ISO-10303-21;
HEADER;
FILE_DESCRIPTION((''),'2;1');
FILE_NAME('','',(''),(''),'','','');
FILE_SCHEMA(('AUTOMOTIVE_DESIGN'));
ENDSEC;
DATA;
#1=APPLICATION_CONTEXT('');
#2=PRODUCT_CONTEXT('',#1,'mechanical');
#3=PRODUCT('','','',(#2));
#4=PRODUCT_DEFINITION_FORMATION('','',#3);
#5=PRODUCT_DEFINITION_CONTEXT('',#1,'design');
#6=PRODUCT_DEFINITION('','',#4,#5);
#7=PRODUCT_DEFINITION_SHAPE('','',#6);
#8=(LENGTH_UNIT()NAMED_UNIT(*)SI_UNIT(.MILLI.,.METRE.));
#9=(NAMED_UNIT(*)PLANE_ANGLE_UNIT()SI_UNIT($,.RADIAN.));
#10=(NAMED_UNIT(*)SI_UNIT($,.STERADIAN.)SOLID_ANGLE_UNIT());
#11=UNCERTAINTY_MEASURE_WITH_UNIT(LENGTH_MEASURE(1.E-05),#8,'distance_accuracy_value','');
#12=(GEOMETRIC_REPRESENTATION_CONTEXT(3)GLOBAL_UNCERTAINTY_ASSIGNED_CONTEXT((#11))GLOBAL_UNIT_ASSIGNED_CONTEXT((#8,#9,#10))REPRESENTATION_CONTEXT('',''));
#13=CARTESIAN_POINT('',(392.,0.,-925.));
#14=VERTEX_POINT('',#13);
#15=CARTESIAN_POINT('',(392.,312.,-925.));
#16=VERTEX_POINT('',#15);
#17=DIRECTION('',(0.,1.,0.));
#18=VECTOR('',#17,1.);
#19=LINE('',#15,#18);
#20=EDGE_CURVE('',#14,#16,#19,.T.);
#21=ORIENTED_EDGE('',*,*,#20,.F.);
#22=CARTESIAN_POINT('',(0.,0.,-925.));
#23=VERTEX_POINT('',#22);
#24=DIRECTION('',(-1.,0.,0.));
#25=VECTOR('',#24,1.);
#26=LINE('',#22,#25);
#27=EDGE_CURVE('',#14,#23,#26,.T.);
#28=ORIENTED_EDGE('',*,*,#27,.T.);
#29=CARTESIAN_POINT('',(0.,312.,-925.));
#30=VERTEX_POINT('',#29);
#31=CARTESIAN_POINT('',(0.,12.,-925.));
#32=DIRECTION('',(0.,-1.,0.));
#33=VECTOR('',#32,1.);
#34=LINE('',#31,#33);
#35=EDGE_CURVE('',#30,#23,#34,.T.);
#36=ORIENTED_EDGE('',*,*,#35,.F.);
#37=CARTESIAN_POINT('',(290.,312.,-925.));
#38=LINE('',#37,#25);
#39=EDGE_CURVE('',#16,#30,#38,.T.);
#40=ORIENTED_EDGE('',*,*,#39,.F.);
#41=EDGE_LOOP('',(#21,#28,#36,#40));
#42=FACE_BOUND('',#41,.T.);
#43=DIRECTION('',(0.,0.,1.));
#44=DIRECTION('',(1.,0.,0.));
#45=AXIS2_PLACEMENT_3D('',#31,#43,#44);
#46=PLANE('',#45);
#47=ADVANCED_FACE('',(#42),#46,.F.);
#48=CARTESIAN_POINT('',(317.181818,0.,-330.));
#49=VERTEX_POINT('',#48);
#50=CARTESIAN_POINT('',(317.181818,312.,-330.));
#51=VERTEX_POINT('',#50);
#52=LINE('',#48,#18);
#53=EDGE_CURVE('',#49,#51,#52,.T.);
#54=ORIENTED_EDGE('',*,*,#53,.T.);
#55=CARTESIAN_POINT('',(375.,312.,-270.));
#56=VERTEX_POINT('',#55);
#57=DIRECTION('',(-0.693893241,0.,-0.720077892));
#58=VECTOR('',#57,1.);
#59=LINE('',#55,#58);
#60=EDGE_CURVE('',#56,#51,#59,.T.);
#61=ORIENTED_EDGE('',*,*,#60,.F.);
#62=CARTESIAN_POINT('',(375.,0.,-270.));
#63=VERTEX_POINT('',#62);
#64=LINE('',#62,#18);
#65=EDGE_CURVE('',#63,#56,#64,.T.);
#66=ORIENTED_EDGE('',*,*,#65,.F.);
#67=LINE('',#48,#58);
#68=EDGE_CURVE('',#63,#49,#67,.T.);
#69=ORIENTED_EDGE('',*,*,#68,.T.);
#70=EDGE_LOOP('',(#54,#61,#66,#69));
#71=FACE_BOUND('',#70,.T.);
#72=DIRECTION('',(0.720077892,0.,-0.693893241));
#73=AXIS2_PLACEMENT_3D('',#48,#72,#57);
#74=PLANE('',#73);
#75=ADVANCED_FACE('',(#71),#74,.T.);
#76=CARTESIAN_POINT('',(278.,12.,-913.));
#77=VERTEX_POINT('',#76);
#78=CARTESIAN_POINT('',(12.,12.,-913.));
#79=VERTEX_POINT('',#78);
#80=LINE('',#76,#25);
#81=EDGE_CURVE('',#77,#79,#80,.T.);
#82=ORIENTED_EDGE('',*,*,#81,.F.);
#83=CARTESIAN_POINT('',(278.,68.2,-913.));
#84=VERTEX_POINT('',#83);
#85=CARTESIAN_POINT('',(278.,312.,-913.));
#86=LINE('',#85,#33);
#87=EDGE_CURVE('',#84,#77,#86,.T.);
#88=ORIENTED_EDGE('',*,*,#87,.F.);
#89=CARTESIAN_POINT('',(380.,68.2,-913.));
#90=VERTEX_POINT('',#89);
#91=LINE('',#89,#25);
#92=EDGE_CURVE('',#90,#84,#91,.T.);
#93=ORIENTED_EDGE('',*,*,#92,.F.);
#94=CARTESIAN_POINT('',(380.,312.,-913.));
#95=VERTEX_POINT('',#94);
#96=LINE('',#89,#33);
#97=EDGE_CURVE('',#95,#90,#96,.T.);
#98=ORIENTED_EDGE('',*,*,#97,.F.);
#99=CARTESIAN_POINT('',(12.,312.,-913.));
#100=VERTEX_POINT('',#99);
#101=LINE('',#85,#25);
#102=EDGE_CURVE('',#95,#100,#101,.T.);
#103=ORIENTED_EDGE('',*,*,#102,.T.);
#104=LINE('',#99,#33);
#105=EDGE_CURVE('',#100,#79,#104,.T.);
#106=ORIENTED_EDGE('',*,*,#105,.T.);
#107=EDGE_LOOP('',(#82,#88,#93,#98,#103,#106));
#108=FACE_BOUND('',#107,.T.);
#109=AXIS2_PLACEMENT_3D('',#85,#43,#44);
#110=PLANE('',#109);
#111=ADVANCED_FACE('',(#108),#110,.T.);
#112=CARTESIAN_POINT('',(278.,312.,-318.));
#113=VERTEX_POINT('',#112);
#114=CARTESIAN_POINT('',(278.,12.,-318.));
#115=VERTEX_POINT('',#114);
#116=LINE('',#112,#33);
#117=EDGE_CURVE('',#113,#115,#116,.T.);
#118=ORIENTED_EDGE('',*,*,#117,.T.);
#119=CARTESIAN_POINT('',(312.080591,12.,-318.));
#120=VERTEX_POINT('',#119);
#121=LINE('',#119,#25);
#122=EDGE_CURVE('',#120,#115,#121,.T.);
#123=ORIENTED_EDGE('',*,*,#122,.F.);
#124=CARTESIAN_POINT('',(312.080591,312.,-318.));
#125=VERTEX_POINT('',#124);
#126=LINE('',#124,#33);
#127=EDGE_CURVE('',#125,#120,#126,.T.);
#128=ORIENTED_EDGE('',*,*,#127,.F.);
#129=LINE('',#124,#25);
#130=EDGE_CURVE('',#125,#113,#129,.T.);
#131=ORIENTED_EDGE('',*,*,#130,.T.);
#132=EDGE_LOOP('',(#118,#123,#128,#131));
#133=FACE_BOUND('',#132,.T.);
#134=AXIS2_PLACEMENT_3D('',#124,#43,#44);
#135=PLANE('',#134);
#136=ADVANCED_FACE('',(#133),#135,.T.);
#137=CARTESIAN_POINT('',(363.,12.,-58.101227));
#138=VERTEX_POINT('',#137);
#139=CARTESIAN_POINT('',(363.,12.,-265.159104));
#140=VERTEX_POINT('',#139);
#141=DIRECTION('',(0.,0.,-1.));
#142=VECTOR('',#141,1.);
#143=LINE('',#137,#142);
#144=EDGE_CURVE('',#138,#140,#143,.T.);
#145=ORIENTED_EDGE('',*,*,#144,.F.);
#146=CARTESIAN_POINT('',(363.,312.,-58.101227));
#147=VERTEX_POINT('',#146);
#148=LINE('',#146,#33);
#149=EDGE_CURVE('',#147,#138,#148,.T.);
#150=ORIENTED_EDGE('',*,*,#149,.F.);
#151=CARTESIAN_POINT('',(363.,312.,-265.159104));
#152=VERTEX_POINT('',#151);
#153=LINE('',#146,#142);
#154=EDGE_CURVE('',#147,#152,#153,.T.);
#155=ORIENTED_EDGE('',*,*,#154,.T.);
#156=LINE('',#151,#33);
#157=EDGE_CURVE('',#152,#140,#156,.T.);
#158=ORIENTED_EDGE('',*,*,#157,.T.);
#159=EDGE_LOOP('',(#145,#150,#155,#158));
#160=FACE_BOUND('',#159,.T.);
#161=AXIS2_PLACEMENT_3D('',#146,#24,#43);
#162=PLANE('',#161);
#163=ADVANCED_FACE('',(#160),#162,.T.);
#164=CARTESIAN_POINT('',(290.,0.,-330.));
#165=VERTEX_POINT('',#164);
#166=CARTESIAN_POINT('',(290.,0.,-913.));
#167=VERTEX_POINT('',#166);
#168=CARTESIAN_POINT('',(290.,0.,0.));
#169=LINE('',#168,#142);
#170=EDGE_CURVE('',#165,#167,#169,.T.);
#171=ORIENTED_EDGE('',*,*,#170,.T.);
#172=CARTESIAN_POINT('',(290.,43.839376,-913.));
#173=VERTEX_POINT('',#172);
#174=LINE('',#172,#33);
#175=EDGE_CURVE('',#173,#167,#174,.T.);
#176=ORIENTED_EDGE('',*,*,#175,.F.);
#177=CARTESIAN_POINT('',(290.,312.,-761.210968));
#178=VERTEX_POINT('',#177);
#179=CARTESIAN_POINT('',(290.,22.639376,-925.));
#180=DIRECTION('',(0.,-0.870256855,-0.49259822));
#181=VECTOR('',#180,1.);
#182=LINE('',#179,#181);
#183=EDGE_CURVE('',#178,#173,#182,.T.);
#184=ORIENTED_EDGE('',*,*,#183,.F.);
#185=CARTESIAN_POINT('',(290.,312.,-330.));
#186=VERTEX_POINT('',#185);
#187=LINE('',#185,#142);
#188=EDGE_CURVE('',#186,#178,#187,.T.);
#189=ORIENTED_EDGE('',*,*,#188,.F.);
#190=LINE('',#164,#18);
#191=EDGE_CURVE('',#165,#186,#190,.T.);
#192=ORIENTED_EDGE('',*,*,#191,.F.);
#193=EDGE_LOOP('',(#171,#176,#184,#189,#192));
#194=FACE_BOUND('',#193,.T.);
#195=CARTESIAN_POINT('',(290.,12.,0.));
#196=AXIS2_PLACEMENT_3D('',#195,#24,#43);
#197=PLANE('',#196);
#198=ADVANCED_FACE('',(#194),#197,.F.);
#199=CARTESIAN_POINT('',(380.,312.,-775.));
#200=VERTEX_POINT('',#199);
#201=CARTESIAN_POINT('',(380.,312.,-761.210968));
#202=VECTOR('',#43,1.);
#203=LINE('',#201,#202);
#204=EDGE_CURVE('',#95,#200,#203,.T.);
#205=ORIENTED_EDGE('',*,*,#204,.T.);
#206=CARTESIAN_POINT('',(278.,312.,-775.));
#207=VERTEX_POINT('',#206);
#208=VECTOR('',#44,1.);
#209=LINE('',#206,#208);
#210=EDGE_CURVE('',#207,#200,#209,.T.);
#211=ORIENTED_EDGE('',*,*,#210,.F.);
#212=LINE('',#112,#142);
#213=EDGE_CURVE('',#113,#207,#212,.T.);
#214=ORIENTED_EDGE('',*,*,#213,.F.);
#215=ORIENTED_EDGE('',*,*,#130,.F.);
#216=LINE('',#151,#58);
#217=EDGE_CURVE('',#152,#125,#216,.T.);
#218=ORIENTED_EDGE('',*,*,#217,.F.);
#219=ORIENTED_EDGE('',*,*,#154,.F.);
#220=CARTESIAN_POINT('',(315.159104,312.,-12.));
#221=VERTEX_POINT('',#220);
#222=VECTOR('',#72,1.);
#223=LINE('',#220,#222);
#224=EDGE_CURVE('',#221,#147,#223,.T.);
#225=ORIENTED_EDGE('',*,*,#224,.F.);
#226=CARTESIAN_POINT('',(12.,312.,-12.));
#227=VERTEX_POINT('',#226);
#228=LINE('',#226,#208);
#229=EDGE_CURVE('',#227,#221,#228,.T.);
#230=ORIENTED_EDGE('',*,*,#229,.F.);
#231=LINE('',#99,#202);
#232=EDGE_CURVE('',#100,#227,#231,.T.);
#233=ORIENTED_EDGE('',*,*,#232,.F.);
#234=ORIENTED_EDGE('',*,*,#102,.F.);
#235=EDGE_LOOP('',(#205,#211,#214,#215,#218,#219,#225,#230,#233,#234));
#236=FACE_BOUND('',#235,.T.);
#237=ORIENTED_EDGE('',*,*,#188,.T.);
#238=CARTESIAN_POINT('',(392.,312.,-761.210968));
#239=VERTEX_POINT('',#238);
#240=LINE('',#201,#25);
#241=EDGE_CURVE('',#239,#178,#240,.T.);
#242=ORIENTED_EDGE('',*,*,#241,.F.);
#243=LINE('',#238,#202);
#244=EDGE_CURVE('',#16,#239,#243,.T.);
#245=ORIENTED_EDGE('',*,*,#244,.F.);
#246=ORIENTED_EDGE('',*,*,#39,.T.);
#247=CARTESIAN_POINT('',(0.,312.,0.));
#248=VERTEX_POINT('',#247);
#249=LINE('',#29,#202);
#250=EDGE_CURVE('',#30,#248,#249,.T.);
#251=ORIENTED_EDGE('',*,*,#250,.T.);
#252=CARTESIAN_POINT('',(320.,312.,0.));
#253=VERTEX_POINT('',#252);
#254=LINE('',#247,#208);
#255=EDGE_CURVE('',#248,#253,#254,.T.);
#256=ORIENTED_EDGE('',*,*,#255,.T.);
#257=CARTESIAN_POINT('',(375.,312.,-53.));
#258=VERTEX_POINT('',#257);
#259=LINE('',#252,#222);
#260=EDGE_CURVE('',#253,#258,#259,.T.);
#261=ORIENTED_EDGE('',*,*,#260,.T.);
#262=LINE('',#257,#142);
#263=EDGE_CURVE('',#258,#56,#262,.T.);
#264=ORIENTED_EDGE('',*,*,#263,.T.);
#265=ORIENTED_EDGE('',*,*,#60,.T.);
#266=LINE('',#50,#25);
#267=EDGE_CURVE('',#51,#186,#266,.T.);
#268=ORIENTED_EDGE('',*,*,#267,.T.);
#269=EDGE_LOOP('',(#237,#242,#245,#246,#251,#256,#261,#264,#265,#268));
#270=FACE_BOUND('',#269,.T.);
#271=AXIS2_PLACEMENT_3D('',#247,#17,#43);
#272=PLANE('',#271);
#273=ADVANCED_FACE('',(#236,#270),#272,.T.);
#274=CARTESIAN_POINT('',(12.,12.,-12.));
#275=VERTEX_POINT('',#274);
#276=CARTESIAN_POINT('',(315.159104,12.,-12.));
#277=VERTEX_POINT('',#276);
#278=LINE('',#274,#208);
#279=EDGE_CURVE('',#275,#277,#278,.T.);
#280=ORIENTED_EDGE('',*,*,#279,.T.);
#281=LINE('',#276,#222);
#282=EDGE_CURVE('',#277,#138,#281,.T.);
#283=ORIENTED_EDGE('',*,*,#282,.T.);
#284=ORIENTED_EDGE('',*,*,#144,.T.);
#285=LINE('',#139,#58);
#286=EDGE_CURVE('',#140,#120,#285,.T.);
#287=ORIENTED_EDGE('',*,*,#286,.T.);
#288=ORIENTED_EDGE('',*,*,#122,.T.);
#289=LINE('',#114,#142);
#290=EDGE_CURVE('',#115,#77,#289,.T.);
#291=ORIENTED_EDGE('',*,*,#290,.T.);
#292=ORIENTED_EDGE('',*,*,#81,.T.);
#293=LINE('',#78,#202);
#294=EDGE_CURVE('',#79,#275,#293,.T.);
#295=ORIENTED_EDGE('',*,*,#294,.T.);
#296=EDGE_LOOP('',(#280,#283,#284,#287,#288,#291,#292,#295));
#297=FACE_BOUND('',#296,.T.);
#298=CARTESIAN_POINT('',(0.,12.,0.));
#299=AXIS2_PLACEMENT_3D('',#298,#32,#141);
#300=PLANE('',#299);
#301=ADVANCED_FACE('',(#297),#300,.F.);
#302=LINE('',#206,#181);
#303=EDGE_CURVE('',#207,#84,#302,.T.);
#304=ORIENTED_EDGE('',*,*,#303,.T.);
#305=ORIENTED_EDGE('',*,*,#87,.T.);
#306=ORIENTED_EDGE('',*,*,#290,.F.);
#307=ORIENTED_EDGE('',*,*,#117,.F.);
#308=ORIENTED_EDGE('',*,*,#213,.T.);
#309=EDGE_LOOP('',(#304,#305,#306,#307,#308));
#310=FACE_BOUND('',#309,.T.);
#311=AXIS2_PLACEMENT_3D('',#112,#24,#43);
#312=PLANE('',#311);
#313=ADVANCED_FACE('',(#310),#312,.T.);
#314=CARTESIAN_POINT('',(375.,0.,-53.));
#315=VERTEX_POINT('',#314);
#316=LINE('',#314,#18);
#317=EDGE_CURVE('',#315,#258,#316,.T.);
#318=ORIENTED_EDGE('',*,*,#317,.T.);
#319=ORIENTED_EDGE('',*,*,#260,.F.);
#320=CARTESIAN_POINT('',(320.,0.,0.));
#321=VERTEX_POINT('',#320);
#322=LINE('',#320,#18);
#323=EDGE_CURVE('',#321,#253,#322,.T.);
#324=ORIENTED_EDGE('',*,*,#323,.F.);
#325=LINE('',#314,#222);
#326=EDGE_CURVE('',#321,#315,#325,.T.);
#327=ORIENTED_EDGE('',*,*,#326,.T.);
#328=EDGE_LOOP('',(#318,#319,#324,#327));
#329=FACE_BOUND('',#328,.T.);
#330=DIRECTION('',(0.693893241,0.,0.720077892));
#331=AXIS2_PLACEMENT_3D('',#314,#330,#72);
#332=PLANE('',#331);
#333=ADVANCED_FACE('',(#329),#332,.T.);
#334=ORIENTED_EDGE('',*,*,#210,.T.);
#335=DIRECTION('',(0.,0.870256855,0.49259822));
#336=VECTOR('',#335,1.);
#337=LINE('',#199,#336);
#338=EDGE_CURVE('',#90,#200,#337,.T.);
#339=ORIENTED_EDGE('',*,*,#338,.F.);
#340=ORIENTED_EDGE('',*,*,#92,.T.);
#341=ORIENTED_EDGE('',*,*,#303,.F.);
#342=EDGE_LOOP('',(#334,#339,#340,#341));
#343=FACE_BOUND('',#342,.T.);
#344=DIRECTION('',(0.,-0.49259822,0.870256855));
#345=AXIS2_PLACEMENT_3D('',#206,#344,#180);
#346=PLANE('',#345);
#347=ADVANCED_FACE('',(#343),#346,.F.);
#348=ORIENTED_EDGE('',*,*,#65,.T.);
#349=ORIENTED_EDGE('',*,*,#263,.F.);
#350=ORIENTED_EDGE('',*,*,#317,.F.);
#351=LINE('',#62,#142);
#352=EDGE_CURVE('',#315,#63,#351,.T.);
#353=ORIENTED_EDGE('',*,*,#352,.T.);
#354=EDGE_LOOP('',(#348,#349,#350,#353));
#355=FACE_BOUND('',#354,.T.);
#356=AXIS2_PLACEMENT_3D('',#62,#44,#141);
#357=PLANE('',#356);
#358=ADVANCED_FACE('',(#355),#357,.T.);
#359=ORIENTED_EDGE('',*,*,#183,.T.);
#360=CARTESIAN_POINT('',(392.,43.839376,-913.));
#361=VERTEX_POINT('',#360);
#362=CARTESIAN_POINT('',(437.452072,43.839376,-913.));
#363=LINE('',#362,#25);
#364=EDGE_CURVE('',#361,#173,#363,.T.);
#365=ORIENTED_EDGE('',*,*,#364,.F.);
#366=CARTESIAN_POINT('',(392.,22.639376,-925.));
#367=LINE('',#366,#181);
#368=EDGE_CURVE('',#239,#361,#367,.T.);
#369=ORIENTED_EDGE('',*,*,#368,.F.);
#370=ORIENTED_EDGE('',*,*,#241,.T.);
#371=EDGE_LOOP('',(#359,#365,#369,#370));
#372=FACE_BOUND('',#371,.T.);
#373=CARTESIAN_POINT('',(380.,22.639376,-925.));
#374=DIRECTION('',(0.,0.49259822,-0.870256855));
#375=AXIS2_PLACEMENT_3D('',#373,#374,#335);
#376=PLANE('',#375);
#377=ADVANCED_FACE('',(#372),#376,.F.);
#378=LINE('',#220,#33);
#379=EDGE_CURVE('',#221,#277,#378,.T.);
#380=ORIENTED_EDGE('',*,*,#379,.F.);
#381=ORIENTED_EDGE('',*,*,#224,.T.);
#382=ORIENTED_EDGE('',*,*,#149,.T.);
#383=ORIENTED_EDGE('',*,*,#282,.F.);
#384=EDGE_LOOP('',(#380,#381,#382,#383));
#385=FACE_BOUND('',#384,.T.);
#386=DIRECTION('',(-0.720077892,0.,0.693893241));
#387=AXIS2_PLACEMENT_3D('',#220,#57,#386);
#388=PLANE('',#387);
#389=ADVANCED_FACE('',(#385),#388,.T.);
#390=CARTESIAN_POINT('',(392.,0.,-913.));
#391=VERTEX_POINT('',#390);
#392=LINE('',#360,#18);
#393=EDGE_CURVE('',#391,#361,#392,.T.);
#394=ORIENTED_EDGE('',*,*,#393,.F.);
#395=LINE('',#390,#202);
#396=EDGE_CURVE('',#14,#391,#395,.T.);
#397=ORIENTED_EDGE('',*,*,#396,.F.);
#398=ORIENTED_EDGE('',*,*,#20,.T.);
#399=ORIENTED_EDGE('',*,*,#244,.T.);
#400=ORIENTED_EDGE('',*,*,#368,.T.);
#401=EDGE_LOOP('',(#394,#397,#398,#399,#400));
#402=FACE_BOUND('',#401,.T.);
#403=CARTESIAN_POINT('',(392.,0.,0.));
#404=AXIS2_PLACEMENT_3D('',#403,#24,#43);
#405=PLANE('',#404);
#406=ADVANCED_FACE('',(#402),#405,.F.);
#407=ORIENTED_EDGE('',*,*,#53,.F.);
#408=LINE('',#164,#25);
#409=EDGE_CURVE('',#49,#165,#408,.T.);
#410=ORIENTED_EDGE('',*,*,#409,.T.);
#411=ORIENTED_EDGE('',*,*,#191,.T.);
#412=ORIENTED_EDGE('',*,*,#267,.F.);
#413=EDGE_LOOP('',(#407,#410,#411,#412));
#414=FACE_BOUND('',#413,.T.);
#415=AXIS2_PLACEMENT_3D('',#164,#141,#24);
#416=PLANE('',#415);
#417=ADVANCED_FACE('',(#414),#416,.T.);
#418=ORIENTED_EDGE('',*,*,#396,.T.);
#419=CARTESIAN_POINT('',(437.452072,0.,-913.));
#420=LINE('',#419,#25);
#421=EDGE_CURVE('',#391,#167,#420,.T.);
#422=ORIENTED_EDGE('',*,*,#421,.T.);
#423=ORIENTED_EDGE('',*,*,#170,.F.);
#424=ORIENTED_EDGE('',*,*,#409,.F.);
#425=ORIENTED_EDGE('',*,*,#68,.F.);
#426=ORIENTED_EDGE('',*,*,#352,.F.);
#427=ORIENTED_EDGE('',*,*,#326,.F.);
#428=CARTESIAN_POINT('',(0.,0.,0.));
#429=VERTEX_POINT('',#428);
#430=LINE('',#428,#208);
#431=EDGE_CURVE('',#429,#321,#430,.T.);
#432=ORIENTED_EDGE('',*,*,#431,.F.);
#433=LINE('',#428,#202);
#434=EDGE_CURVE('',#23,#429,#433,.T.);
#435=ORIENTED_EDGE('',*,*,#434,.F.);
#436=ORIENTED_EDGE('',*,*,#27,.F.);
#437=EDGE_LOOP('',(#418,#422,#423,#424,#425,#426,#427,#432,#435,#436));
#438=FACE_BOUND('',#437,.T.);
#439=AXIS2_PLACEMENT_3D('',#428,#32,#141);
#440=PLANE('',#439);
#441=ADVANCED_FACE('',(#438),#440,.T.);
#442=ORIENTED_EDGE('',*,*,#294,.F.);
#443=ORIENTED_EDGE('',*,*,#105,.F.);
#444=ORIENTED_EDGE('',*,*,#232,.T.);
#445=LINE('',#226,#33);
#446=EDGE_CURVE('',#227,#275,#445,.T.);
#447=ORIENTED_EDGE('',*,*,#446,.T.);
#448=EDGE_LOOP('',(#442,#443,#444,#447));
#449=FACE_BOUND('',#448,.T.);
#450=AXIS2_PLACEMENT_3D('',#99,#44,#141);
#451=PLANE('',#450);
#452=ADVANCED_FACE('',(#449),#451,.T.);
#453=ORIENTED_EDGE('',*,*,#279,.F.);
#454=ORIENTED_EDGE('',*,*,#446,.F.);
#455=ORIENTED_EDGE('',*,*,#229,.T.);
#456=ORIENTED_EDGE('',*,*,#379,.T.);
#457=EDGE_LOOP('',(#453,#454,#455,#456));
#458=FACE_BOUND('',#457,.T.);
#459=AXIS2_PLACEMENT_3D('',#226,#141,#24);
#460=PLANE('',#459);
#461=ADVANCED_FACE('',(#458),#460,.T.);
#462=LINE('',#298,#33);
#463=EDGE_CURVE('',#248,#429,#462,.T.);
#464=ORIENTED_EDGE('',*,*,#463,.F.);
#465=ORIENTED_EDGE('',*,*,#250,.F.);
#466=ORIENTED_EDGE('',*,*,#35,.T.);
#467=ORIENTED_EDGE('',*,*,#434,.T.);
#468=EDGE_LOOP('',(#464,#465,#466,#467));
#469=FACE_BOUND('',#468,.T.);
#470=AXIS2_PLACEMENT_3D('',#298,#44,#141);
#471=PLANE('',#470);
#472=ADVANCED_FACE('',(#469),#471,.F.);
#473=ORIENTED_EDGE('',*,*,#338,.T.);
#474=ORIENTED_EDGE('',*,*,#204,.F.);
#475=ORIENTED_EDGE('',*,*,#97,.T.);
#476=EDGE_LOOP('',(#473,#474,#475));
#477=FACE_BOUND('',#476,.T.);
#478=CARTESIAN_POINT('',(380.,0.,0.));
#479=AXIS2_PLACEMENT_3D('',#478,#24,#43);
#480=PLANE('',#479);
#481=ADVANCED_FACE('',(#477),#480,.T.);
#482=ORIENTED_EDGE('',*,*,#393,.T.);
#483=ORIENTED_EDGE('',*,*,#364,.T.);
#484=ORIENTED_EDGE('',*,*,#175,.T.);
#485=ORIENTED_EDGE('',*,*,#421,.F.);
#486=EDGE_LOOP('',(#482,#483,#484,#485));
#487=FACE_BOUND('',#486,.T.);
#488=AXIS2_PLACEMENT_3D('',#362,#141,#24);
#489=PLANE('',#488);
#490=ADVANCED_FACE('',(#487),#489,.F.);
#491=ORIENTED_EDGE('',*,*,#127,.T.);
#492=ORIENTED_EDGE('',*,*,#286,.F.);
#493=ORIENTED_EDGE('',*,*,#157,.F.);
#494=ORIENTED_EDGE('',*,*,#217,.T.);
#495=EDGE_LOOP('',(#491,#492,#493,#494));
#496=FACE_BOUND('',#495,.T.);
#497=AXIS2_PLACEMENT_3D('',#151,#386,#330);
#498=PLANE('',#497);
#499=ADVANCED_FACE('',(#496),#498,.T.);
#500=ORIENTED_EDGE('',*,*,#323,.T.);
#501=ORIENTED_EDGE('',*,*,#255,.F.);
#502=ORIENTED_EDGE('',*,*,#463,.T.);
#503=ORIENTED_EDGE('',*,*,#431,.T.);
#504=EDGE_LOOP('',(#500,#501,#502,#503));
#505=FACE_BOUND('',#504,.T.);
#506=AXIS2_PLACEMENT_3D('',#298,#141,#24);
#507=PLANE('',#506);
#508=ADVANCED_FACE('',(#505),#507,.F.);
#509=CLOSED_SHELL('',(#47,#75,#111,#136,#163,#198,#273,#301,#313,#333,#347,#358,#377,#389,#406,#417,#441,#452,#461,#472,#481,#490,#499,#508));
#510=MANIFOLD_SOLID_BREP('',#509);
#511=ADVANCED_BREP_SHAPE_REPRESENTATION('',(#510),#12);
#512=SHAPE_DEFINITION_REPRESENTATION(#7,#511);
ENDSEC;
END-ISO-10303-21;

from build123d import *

# Parameters (mm, degrees)
SKETCH_1_W          = 290
SKETCH_1_H          = 925
EXTRUDE_1_DEPTH     = 12
EXTRUDE_3_DEPTH     = 12
EXTRUDE_4_DEPTH     = 300
CUT_EXTRUDE_1_DEPTH = 12
EXTRUDE_5_DEPTH     = 90
EXTRUDE_6_DEPTH     = 102
EXTRUDE_7_DEPTH     = 12
EXTRUDE_8_DEPTH     = 102


with BuildPart() as part:
    # 草图1 → 凸台-拉伸1 (new body)
    with BuildSketch(Plane(origin=(0, 0, 0), x_dir=(1, 0, 0), z_dir=(0, 1, 0))):
        with Locations((145, 462.5)):
            Rectangle(SKETCH_1_W, SKETCH_1_H)
    extrude(amount=EXTRUDE_1_DEPTH)

    # 草图3 → 凸台-拉伸3 (add)
    with BuildSketch(Plane(origin=(0, 12, 0), x_dir=(1, 0, 0), z_dir=(0, 1, 0))):
        Polygon((290, 330), (317.181818182, 330), (375, 270), (375, 53), (320, 0), (290, 0), align=None)
    extrude(amount=-EXTRUDE_3_DEPTH)

    # 草图4 → 凸台-拉伸4 (add)
    with BuildSketch(Plane(origin=(0, 12, 0), x_dir=(1, 0, 0), z_dir=(0, 1, 0))):
        Polygon((0, 925), (0, 0), (320, 0), (375, 53), (375, 270), (317.181818182, 330), (290, 330), (290, 925), align=None)
        Polygon((12, 913), (12, 12), (315.159103589, 12), (363, 58.101227451), (363, 265.159103589), (312.080590731, 318), (278, 318), (278, 913), align=None, mode=Mode.SUBTRACT)
    extrude(amount=EXTRUDE_4_DEPTH)

    # 草图5 → 切除-拉伸1 (cut)
    with BuildSketch(Plane(origin=(290, 0, 0), x_dir=(0, 0, -1), z_dir=(1, 0, 0))):
        Polygon((775, 312), (925, 47), (925, 312), align=None)
    extrude(amount=-CUT_EXTRUDE_1_DEPTH, mode=Mode.SUBTRACT)

    # 草图7 → 凸台-拉伸5 (add)
    with BuildSketch(Plane(origin=(290, 0, 0), x_dir=(0, 0, -1), z_dir=(1, 0, 0))):
        Polygon((775, 312), (925, 47), (925, 22.639376034), (761.210967567, 312), align=None)
    extrude(amount=EXTRUDE_5_DEPTH)

    # 草图8 → 凸台-拉伸6 (add)
    with BuildSketch(Plane(origin=(278, 0, 0), x_dir=(0, 0, -1), z_dir=(1, 0, 0))):
        Polygon((925, 312), (925, 47), (913, 68.2), (913, 312), align=None)
    extrude(amount=EXTRUDE_6_DEPTH)

    # 草图9 → 凸台-拉伸7 (add)
    with BuildSketch(Plane(origin=(380, 0, 0), x_dir=(0, 0, -1), z_dir=(1, 0, 0))):
        Polygon((761.210967567, 312), (925, 312), (925, 22.639376034), align=None)
    extrude(amount=EXTRUDE_7_DEPTH)

    # 草图10 → 凸台-拉伸8 (add)
    with BuildSketch(Plane(origin=(290, 0, 0), x_dir=(0, 0, -1), z_dir=(1, 0, 0))):
        Polygon((925, 0), (925, 22.639376034), (913, 43.839376034), (913, 0), align=None)
    extrude(amount=EXTRUDE_8_DEPTH)


solid = part.part
